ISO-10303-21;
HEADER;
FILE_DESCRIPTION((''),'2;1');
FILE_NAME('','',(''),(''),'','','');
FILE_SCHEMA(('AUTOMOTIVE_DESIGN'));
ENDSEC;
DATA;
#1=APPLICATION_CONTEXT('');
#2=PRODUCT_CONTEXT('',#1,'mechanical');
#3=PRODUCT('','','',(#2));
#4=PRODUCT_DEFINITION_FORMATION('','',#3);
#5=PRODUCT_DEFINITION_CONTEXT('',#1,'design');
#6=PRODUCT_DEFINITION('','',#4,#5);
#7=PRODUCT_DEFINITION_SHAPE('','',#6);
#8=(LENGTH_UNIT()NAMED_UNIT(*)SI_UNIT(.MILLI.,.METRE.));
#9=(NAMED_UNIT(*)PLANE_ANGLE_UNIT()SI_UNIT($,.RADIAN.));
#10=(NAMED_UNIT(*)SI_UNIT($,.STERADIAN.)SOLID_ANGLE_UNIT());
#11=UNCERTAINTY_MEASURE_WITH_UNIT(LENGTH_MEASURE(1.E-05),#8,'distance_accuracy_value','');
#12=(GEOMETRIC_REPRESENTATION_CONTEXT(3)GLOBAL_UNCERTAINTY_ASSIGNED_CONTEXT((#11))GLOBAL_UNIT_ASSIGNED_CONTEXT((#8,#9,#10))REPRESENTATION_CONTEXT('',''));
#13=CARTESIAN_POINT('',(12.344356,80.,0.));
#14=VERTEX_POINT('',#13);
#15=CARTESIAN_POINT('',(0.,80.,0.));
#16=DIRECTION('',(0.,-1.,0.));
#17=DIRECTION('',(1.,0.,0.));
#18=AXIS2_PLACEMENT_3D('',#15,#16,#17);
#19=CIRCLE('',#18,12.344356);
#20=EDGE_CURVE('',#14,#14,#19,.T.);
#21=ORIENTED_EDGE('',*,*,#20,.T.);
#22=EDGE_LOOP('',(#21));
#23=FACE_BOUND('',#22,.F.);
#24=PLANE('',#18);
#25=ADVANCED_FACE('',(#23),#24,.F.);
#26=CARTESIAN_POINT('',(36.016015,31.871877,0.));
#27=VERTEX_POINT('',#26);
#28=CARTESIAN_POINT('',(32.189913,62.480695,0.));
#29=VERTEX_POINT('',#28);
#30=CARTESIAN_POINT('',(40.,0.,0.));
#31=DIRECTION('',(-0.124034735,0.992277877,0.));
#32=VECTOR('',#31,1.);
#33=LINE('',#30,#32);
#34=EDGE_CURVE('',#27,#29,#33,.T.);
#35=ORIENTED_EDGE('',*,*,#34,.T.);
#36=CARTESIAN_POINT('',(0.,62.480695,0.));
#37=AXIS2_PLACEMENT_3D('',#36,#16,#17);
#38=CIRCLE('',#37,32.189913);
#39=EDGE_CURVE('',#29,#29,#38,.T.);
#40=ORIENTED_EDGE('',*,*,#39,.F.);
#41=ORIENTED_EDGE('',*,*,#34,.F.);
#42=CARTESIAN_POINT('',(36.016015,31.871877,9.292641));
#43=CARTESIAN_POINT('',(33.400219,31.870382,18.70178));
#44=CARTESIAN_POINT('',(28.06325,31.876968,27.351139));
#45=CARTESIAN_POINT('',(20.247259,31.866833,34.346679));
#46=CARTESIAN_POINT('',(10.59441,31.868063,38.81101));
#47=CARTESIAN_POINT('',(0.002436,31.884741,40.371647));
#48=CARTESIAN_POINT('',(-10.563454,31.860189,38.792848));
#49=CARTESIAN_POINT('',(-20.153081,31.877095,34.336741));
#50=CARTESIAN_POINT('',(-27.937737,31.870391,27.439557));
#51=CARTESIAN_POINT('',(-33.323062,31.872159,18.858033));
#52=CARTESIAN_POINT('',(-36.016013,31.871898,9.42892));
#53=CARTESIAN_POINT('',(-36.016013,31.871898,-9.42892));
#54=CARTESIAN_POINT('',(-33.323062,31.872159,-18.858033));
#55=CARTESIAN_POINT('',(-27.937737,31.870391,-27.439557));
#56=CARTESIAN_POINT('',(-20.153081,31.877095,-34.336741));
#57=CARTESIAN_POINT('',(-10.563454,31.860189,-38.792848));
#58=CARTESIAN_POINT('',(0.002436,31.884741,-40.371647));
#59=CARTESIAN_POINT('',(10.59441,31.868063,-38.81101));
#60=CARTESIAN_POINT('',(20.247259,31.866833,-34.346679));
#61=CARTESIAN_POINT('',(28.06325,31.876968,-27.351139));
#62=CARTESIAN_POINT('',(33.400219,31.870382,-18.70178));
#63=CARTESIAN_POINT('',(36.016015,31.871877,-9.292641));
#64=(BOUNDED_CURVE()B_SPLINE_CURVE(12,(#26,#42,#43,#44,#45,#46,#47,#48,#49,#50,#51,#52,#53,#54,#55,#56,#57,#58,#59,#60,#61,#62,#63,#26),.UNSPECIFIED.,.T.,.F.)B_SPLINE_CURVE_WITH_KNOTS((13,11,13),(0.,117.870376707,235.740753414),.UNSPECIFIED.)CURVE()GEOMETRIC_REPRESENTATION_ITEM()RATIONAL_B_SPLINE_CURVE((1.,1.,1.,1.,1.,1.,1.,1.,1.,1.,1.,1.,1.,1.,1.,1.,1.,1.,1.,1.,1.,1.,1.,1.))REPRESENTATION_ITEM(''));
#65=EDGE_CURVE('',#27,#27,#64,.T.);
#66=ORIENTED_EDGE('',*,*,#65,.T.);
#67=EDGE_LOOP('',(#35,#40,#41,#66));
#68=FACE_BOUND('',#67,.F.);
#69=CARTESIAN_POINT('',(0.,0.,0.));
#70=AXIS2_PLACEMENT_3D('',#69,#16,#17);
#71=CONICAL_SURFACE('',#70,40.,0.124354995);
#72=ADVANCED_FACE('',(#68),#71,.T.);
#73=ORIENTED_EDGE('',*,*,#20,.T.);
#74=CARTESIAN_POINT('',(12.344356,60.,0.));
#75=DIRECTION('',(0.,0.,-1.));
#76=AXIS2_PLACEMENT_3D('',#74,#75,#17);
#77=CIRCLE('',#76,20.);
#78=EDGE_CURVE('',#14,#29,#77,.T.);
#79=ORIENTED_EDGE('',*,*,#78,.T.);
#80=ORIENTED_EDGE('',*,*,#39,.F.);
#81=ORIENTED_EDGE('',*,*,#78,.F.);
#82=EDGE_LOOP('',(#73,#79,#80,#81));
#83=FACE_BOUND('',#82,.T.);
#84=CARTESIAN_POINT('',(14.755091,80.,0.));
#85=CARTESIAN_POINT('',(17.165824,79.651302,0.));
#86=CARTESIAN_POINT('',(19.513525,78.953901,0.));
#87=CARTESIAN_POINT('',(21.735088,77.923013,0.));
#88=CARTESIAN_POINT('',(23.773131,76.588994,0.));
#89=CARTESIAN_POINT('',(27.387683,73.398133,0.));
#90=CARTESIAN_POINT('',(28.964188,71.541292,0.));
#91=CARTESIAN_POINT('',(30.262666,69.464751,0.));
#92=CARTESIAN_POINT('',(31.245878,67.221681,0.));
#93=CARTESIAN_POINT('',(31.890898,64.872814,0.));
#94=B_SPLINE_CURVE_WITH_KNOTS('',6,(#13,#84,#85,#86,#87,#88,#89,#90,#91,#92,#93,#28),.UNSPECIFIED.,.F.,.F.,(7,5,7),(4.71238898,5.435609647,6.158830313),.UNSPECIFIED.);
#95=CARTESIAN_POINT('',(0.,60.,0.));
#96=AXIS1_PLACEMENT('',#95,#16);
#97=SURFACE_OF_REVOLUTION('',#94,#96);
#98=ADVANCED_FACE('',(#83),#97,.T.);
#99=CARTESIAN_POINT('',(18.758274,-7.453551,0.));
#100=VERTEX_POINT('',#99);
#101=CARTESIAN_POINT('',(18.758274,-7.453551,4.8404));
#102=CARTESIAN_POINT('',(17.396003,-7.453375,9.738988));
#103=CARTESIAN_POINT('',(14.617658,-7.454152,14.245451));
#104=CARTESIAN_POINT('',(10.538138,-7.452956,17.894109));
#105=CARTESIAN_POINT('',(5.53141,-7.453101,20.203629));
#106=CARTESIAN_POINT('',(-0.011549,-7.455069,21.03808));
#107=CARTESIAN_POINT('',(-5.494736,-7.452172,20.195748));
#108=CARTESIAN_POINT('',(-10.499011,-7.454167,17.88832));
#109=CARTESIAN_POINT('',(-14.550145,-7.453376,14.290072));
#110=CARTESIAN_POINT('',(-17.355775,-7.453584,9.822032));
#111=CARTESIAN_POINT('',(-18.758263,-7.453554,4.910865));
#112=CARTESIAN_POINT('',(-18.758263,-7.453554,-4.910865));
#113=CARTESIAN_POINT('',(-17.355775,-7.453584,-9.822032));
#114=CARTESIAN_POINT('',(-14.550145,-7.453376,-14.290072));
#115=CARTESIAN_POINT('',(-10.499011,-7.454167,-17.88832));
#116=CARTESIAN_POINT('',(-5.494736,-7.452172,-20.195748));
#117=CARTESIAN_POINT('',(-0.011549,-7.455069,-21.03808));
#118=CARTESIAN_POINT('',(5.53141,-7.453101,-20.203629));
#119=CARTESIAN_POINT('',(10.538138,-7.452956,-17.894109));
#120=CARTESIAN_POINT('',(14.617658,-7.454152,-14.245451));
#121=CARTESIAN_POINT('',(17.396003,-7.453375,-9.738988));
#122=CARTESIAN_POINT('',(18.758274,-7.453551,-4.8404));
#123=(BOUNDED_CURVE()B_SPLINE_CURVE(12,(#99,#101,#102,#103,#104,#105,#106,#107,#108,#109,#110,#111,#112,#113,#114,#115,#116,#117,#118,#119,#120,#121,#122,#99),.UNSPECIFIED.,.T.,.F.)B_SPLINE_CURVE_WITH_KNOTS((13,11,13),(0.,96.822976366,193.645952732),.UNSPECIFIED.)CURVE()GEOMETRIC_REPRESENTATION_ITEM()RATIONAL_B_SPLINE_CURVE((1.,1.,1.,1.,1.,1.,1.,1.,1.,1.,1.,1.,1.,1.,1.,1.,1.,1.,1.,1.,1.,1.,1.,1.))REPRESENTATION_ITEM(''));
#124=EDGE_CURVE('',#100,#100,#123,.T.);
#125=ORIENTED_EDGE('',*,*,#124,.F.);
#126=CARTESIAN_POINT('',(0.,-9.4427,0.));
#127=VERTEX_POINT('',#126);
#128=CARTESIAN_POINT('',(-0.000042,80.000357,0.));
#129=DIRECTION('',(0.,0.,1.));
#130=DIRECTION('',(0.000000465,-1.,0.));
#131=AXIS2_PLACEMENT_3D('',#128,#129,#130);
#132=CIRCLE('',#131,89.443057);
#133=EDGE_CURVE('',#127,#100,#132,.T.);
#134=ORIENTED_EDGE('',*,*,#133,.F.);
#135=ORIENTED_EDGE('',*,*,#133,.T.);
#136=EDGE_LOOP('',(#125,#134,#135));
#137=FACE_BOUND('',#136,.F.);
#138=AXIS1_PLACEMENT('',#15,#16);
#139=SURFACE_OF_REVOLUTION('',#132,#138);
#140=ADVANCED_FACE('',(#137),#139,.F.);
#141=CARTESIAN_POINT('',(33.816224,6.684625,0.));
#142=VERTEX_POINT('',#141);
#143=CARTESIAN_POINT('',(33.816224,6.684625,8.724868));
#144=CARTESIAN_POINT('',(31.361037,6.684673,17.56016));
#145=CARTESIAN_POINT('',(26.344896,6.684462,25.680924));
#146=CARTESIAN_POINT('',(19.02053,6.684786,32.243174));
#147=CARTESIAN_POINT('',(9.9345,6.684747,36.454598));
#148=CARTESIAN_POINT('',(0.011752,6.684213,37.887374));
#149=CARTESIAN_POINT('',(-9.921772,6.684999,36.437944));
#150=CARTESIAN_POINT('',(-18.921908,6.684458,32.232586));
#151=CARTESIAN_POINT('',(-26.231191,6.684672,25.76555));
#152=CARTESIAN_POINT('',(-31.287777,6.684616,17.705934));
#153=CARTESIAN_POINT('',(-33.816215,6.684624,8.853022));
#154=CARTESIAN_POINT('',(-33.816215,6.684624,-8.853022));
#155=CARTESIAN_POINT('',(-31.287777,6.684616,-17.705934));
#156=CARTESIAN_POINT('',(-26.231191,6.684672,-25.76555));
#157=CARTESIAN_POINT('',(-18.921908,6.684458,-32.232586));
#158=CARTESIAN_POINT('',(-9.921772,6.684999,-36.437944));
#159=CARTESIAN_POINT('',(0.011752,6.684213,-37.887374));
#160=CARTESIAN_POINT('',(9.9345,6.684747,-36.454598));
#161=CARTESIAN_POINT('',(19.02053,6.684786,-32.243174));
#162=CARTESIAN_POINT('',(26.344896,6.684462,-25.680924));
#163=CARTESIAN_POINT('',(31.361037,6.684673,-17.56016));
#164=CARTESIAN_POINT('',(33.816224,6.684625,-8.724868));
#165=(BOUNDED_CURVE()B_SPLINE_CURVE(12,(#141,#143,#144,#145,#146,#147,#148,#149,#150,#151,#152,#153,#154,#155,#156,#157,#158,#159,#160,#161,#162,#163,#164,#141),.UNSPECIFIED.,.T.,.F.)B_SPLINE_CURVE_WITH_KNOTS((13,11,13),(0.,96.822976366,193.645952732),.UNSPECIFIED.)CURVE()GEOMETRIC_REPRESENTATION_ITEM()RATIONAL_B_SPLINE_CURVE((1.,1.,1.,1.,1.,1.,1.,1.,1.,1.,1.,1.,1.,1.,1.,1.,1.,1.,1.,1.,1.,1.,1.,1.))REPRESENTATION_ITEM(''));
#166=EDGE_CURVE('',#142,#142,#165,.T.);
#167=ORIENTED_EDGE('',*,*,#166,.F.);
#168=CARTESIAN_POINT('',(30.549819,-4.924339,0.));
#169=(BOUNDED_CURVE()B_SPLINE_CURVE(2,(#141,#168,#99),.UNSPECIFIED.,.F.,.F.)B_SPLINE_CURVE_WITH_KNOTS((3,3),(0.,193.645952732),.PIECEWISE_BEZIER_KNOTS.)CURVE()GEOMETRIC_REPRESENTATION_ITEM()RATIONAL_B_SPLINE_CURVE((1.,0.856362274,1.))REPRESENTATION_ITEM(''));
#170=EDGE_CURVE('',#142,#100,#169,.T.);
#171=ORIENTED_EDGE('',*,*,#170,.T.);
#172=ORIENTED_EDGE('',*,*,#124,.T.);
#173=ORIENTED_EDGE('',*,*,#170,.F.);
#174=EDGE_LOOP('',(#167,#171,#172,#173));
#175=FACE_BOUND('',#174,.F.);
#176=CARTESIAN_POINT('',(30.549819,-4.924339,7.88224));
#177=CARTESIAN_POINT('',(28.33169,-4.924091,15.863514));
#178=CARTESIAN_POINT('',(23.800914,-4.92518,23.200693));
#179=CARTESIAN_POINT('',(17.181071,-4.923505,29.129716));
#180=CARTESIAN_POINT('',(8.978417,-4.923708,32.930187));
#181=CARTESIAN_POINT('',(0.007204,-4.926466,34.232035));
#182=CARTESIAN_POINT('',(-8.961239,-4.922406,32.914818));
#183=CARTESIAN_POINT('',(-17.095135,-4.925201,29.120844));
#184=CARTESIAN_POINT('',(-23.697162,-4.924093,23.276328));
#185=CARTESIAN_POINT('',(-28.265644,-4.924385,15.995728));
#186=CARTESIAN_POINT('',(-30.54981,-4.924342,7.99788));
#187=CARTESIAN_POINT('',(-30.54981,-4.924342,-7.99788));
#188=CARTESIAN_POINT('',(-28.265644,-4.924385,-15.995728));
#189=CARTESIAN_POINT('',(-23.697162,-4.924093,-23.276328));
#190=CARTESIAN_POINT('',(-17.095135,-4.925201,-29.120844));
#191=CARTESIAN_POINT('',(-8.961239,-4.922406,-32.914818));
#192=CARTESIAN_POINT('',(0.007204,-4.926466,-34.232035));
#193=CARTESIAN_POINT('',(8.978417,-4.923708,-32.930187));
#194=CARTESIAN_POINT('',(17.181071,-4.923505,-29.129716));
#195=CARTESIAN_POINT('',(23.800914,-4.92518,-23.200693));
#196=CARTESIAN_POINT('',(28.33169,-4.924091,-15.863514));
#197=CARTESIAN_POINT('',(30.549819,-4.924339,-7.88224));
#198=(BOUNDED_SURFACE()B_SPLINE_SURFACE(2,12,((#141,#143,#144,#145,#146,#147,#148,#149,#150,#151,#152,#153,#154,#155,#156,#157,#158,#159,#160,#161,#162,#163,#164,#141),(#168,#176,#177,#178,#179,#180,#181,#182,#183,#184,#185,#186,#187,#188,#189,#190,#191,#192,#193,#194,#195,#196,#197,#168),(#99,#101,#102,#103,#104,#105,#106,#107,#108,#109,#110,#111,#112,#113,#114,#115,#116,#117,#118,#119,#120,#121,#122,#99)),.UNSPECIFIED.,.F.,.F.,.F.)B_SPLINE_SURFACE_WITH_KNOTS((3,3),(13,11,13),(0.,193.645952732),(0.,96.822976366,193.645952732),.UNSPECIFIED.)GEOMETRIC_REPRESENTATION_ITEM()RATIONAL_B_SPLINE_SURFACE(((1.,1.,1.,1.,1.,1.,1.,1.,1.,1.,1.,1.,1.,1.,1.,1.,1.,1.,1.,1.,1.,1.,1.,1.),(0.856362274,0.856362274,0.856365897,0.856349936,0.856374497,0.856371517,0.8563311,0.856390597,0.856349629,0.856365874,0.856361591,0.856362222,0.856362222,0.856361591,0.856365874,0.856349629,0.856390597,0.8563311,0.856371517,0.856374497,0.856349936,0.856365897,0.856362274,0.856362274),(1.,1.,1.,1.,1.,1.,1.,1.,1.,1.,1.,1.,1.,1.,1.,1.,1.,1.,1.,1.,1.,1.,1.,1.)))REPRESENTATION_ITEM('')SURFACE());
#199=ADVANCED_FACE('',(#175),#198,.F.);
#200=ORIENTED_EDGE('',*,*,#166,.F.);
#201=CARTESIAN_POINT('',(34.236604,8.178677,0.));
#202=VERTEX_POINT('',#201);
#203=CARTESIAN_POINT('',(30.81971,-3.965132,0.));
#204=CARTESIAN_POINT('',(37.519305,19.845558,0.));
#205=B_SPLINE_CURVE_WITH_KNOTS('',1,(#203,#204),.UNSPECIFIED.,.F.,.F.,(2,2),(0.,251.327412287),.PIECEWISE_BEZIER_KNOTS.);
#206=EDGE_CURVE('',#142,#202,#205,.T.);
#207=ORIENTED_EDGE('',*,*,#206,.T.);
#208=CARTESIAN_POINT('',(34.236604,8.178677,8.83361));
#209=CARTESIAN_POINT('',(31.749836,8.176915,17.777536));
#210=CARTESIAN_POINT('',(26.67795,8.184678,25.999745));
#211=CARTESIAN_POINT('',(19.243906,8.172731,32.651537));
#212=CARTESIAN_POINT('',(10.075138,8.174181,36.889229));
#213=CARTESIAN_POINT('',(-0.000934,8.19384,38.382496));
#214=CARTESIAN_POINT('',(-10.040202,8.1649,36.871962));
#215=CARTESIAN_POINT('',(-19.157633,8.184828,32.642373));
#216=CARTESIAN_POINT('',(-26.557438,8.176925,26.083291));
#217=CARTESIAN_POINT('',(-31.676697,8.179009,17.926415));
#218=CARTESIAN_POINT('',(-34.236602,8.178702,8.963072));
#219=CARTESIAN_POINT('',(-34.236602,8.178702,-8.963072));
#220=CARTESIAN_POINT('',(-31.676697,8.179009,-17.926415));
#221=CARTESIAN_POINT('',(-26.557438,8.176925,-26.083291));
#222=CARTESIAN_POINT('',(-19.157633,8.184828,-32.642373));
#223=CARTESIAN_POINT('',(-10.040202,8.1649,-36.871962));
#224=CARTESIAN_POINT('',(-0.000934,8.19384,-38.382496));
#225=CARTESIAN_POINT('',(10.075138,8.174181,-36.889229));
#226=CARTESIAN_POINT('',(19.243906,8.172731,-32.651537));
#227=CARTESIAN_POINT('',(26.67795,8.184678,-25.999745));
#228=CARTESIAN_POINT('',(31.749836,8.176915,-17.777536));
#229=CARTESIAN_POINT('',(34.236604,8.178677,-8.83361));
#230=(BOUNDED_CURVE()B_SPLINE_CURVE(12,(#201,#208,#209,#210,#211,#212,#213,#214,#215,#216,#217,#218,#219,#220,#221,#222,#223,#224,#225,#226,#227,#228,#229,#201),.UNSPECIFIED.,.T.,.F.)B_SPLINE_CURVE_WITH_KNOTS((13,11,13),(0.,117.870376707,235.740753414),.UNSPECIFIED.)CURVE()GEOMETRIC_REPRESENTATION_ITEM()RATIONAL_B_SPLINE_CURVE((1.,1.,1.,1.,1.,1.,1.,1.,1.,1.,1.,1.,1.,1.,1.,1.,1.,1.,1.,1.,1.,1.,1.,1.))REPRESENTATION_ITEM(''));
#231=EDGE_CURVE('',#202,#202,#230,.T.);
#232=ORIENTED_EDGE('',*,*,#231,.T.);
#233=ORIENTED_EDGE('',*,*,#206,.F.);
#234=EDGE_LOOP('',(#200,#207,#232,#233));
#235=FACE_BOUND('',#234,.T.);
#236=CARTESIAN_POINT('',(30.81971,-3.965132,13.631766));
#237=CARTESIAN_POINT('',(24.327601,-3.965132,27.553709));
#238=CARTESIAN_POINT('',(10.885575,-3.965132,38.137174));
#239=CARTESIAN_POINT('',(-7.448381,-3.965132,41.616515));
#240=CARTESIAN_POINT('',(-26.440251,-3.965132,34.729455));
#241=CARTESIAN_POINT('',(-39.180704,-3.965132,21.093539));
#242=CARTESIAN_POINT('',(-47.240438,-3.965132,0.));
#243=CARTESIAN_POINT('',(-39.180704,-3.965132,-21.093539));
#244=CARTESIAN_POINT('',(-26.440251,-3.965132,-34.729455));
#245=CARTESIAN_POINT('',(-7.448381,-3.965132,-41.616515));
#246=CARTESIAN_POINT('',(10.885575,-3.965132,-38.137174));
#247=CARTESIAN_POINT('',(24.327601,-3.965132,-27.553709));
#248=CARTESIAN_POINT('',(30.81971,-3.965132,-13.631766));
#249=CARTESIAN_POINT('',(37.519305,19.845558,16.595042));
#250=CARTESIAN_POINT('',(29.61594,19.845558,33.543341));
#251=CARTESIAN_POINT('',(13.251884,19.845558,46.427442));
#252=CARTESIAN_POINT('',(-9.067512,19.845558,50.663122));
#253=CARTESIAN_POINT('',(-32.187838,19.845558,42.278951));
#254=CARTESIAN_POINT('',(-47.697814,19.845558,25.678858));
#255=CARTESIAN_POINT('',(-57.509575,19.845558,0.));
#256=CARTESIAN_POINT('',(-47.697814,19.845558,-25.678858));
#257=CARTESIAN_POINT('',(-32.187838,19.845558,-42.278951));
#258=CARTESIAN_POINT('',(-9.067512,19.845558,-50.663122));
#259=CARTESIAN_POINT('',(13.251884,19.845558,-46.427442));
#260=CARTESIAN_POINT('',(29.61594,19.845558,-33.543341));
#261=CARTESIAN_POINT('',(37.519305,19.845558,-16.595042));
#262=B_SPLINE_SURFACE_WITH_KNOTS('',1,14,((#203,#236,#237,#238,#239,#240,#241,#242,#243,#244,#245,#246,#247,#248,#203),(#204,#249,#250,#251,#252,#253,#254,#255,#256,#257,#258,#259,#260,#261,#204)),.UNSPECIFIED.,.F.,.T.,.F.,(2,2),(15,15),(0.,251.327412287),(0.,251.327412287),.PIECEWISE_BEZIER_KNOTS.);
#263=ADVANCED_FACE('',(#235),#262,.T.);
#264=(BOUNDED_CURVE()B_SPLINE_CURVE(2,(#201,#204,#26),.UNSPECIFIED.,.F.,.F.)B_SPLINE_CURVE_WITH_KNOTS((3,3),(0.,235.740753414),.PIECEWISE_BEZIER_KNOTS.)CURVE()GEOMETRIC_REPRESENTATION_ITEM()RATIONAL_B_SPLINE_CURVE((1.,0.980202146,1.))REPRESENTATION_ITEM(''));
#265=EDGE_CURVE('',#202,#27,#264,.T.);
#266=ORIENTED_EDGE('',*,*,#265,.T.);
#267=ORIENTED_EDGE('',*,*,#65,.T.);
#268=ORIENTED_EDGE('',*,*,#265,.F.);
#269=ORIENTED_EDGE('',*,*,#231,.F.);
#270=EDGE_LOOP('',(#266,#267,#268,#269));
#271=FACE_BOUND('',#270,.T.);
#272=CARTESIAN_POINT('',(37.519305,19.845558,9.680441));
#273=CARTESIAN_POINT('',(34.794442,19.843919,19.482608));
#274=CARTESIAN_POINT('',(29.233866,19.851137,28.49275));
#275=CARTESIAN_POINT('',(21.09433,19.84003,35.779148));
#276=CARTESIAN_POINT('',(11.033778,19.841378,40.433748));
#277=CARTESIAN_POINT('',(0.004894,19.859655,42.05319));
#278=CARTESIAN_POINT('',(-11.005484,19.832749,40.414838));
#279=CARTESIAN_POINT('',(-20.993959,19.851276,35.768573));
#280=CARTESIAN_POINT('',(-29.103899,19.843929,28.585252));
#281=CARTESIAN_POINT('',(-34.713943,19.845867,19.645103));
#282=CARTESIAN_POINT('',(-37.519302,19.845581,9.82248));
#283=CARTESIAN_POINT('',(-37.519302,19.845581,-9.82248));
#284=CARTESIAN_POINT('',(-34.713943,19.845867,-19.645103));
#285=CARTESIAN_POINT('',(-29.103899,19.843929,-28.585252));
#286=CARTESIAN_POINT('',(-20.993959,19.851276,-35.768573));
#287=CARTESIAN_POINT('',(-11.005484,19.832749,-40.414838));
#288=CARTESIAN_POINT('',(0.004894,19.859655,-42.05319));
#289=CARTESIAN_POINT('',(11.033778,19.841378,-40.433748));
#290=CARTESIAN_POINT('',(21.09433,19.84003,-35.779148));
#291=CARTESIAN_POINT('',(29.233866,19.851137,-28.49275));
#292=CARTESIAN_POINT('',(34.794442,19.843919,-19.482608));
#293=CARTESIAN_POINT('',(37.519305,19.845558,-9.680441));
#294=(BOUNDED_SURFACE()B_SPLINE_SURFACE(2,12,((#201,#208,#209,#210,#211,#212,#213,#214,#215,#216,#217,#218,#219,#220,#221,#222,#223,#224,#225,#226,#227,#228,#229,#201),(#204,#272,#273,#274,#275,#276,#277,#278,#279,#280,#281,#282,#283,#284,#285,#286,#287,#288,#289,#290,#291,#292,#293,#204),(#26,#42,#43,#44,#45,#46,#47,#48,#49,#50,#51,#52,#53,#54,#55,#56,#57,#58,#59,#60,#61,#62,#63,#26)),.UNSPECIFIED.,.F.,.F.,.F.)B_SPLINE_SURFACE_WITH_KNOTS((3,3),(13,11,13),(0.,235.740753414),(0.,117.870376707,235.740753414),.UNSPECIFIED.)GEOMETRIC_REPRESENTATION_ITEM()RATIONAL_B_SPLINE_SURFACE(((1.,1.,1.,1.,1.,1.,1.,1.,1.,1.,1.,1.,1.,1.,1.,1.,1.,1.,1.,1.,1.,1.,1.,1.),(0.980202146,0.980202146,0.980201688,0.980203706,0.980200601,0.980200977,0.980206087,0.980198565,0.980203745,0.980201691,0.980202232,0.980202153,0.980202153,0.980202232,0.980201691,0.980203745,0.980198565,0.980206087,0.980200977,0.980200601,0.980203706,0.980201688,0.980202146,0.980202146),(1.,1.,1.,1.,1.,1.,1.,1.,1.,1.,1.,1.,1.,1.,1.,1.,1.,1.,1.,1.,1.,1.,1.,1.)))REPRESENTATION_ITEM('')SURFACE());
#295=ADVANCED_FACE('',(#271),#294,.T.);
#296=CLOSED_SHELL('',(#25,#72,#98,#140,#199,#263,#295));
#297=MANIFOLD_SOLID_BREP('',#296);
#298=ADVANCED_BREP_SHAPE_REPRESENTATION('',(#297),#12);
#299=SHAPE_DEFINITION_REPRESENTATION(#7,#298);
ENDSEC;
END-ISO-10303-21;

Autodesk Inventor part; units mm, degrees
ref_plane "YZ Plane" through (0, 0, 0) normal (1, 0, 0) x (0, 1, 0)
ref_plane "XZ Plane" through (0, 0, 0) normal (0, 1, 0) x (-1, 0, 0)
ref_plane "XY Plane" through (0, 0, 0) normal (0, 0, 1) x (1, 0, 0)
sketch "Sketch1" plane through (0, 0, 0) normal (0, 0, 1) x (1, 0, 0)
  line L0 (0, 0) -> (40, 0)
  arc A0 (0, -9.4427) -> (40, 0) centre (0, 80) ccw
  line L1 (40, 0) -> (30, 80)
  line L2 (30, 80) -> (0, 80)
  line L3 (0, 80) -> (0, -9.4427)
  dimension "d0" = 40
  dimension "d1" = 80
  dimension "d2" = 30
revolve "Revolution1" add sketch "Sketch1" angle 360 about axis through (0, 80, 0) along (0, -1, 0)
fillet "Fillet1" radius 20 1 edges at (-30, 80, 0)
chamfer "Chamfer1" distance 10 distance2 20 1 edges at (-40, 0, 0) measured on face at (-36.1941, -1.4854, 7.0791)
fillet "Fillet2" radius 20 1 edges at (-30.8197, -3.9651, 0)
fillet "Fillet3" radius 60 1 edges at (-37.5193, 19.8456, 0)
properties part number "body_ref"
